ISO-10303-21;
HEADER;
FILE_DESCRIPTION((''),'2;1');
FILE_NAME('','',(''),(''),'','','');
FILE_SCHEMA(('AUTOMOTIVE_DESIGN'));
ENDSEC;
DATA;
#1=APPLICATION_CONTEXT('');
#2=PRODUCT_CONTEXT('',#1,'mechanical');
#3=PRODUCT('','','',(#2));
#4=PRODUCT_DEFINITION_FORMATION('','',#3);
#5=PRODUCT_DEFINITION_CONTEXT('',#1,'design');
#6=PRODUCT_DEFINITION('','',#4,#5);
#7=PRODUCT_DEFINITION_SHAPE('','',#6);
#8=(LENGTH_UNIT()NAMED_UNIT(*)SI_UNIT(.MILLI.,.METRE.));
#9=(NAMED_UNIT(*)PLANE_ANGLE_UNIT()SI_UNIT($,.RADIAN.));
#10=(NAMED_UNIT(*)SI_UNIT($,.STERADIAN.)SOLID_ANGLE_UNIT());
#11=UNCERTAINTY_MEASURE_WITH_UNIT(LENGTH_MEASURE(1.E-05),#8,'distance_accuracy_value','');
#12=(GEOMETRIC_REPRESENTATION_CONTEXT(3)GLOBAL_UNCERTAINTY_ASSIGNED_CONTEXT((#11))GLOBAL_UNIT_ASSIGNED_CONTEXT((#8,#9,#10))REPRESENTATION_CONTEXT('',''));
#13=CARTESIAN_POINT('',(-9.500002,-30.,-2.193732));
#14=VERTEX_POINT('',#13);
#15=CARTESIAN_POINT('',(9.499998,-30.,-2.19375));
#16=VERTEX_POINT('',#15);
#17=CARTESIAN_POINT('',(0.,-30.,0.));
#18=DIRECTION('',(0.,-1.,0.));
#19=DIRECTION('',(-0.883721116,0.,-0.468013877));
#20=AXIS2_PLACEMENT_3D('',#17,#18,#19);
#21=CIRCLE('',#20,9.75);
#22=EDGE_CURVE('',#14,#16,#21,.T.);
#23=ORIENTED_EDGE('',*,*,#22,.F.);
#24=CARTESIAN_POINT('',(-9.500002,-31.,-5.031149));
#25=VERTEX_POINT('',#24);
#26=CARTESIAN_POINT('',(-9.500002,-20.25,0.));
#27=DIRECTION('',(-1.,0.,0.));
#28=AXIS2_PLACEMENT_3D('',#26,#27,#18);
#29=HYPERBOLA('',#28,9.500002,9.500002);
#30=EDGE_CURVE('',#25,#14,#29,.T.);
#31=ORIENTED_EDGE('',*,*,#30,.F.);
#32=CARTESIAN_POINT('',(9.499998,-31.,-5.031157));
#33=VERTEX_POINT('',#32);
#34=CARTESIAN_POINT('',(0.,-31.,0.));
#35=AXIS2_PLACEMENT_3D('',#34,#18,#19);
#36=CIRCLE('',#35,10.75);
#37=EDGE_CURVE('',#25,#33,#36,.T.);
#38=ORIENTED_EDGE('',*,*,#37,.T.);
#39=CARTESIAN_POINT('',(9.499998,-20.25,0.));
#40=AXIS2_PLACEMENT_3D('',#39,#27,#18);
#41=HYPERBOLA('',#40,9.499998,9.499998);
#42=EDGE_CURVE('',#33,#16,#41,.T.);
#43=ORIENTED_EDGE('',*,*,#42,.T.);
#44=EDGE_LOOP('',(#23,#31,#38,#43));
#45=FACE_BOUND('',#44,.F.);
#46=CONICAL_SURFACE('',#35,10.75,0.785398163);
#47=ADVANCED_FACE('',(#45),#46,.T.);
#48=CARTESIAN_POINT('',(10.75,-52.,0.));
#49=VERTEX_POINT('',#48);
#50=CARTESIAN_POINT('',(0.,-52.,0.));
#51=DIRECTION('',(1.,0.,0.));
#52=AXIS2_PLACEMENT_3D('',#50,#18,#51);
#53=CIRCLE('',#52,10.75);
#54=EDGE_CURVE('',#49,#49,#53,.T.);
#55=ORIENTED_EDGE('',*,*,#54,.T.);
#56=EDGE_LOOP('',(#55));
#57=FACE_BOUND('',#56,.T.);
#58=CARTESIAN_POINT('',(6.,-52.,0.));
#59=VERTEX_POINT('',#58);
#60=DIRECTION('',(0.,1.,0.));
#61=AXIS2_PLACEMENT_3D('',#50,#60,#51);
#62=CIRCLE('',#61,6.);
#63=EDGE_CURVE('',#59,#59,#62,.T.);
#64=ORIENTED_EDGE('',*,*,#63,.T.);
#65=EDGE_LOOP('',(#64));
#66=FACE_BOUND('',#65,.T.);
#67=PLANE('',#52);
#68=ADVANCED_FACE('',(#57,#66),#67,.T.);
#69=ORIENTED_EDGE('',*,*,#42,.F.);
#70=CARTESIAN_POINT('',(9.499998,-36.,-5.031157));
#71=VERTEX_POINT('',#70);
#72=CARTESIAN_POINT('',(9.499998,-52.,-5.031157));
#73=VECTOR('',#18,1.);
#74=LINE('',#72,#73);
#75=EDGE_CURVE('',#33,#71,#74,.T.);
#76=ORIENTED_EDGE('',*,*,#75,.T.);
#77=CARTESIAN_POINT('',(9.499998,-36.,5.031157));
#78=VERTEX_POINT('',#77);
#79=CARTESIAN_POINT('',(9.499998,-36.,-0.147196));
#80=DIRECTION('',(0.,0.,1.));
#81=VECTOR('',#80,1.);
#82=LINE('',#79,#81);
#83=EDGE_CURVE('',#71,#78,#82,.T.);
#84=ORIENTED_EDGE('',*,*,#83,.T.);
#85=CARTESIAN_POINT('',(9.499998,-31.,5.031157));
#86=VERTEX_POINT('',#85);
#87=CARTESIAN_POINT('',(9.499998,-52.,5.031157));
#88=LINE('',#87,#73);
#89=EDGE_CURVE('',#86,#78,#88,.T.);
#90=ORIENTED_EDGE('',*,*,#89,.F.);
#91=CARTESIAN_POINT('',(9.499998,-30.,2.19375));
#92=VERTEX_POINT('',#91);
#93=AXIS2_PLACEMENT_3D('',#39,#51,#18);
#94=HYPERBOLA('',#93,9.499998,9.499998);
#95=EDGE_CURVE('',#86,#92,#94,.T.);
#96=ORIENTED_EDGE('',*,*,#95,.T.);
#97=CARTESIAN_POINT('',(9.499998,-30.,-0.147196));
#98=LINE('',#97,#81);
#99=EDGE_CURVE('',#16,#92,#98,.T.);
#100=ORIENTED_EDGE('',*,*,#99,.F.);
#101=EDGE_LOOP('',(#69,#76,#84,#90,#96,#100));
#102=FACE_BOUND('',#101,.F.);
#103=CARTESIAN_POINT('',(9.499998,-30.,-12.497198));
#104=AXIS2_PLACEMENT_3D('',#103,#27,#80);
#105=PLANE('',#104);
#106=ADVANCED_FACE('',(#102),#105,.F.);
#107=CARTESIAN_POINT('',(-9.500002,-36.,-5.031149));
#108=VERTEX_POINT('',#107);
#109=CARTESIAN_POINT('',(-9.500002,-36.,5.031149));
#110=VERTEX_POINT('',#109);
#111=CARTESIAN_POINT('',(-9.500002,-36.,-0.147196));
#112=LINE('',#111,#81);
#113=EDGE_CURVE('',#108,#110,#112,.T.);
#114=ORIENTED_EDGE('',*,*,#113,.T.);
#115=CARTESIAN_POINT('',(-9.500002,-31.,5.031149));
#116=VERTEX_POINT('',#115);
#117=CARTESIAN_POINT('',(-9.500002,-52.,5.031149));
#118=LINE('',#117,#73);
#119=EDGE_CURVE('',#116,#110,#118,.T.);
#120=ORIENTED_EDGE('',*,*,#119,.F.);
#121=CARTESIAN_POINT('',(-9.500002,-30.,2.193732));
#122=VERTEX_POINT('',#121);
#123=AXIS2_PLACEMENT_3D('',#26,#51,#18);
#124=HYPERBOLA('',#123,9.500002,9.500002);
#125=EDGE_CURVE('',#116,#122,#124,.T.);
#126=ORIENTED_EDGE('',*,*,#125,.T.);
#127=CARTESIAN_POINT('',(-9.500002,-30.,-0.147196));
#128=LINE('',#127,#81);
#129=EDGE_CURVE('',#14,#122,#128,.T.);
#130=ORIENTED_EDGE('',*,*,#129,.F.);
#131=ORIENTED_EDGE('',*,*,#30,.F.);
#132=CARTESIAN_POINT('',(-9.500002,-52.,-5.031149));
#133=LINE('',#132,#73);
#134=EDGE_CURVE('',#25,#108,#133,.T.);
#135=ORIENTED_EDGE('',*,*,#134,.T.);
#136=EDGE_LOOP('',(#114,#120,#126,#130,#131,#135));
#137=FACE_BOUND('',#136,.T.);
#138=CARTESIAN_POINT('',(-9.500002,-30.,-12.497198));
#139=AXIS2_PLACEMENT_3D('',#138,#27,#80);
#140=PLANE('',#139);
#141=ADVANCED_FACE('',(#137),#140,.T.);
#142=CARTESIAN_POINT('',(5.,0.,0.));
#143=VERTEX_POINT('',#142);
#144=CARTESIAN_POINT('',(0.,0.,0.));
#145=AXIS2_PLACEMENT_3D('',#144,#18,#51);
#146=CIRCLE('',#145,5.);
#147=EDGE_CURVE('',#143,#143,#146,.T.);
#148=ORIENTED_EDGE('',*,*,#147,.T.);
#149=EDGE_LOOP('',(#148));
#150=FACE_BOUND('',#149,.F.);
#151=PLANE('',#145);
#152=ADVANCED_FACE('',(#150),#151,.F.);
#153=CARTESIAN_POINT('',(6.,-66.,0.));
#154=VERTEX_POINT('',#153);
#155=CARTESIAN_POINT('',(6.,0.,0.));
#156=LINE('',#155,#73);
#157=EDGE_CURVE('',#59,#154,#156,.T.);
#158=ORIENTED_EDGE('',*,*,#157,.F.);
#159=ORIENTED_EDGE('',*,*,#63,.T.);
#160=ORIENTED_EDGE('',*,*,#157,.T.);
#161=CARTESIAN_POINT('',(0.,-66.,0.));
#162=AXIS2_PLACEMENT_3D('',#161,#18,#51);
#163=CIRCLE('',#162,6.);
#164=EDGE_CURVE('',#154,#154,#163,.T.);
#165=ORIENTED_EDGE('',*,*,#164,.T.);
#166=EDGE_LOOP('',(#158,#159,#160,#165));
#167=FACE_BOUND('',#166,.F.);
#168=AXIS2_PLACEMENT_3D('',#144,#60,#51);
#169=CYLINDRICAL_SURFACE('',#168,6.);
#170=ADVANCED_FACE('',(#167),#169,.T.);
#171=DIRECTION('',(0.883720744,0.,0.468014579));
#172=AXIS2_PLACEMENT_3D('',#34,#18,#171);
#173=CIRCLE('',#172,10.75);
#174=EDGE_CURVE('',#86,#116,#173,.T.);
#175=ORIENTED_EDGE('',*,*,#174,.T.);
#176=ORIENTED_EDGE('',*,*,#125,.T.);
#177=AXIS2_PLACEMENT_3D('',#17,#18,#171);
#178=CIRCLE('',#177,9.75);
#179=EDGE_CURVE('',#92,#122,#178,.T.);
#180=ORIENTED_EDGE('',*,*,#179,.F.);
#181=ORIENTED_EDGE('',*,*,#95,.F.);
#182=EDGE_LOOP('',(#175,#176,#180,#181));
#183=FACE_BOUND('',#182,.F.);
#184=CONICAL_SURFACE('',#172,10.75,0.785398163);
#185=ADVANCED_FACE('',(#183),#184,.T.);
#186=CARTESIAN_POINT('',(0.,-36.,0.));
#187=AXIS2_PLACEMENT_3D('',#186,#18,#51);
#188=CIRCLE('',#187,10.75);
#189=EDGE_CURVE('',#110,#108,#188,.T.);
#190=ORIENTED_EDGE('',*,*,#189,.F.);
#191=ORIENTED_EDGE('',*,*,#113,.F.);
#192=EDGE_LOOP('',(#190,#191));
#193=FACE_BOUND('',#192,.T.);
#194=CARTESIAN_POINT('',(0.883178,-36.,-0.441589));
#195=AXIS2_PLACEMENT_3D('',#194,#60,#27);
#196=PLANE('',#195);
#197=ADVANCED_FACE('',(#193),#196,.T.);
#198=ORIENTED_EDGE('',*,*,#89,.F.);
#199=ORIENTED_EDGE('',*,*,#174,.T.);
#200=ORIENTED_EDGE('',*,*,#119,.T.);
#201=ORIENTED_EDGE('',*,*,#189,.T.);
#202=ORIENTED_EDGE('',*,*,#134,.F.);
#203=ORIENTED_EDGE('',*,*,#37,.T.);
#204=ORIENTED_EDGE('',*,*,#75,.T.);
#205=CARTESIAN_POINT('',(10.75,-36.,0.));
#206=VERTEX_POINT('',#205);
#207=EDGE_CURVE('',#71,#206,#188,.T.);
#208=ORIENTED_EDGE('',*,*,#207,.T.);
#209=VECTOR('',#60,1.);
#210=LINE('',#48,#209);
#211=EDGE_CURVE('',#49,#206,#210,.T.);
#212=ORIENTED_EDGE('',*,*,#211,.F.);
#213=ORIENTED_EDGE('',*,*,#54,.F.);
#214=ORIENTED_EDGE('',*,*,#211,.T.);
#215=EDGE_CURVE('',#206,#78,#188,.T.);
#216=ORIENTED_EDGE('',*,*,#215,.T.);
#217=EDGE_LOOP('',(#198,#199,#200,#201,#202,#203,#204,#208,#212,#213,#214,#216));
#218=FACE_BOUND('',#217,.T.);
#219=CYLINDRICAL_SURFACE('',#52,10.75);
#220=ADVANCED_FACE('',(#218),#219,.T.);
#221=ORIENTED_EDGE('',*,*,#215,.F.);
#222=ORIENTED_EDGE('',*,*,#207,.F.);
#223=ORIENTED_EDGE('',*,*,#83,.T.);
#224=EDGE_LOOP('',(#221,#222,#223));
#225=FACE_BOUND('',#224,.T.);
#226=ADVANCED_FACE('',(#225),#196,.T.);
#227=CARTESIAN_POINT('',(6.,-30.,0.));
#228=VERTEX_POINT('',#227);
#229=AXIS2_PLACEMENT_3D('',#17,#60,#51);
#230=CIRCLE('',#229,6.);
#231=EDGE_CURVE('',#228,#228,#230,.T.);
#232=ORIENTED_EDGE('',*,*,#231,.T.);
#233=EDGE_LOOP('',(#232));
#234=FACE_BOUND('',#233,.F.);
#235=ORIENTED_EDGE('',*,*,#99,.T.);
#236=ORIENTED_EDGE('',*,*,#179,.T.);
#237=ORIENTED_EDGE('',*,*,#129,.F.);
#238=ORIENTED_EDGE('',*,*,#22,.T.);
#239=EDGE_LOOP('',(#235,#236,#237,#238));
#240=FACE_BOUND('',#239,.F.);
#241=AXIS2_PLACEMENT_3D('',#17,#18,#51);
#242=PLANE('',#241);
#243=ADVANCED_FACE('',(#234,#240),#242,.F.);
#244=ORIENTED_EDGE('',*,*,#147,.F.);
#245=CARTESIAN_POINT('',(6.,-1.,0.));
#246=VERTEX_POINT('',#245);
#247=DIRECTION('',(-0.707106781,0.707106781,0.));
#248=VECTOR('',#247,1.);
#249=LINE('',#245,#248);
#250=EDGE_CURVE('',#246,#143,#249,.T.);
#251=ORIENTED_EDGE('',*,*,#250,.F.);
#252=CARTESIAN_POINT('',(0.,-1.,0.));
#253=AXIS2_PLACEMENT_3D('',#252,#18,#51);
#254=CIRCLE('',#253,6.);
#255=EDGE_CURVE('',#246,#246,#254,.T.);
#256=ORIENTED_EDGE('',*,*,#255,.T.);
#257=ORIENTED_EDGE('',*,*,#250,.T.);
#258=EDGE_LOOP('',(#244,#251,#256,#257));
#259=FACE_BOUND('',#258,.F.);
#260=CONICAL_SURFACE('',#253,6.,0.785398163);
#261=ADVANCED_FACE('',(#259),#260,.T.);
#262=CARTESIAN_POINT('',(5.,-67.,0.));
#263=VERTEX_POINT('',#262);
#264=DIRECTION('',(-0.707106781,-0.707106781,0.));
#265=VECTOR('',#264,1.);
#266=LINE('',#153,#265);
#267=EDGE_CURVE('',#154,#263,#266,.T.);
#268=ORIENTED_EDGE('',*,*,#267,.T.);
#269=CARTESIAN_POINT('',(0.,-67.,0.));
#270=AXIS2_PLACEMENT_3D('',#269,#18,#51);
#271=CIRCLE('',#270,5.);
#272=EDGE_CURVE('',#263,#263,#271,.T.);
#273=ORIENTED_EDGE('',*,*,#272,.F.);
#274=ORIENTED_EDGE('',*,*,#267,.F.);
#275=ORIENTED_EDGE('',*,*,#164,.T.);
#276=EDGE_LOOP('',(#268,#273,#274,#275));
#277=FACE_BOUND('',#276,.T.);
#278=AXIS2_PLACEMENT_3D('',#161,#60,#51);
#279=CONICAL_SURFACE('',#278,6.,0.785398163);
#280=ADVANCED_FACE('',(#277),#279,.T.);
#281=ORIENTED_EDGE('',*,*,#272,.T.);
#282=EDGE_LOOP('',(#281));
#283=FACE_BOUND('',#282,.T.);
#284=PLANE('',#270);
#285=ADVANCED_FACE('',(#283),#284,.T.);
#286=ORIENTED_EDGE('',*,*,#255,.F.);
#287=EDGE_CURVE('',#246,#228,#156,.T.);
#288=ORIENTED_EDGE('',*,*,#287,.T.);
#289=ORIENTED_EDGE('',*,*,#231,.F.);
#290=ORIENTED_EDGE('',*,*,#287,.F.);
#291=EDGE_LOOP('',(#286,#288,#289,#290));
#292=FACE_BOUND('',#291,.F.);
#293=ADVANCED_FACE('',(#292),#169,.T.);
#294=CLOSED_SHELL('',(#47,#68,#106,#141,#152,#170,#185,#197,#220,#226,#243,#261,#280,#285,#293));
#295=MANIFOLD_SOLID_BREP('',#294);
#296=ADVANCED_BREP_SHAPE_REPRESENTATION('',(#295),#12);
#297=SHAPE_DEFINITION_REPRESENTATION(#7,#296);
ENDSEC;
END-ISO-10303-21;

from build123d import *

# Parameters (mm, degrees)
F0_R     = 6
F1_DEPTH = 67
F3_R     = 10.75
F4_DEPTH = 22
F5_W     = 26.495327
F5_H     = 31.794394
F5_W_2   = 19
F5_H_2   = 24.700004
F6_DEPTH = 6
F7_SIZE  = 1


with BuildPart() as f1:
    # F0 (on Front) → F1 (new body)
    with BuildSketch(Plane.XZ):
        Circle(F0_R)
    extrude(amount=F1_DEPTH)

    # F3 (on offset) → F4 (join)
    with BuildSketch(Plane.XZ.offset(52)):
        Circle(F3_R)
    extrude(amount=-F4_DEPTH)

    # F5 (on face) → F6 (cut)
    with BuildSketch(Plane(origin=(0, -30, 0), x_dir=(-1, 0, 0), z_dir=(0, 1, 0))):
        with Locations((-0.883178, -0.441589)):
            Rectangle(F5_W, F5_H)
        with Locations((2e-06, -0.147196)):
            Rectangle(F5_W_2, F5_H_2, mode=Mode.SUBTRACT)
    extrude(amount=-F6_DEPTH, mode=Mode.SUBTRACT)

    # F7
    f7_edges = [f1.edges().sort_by_distance(p)[0] for p in [
        (-6, -67, 0),
        (-6, 0, 0),
        (-4e-06, -30, -10.75),
        (-4e-06, -30, 10.75),
    ]]
    chamfer(f7_edges, length=F7_SIZE)


solid = f1.part
